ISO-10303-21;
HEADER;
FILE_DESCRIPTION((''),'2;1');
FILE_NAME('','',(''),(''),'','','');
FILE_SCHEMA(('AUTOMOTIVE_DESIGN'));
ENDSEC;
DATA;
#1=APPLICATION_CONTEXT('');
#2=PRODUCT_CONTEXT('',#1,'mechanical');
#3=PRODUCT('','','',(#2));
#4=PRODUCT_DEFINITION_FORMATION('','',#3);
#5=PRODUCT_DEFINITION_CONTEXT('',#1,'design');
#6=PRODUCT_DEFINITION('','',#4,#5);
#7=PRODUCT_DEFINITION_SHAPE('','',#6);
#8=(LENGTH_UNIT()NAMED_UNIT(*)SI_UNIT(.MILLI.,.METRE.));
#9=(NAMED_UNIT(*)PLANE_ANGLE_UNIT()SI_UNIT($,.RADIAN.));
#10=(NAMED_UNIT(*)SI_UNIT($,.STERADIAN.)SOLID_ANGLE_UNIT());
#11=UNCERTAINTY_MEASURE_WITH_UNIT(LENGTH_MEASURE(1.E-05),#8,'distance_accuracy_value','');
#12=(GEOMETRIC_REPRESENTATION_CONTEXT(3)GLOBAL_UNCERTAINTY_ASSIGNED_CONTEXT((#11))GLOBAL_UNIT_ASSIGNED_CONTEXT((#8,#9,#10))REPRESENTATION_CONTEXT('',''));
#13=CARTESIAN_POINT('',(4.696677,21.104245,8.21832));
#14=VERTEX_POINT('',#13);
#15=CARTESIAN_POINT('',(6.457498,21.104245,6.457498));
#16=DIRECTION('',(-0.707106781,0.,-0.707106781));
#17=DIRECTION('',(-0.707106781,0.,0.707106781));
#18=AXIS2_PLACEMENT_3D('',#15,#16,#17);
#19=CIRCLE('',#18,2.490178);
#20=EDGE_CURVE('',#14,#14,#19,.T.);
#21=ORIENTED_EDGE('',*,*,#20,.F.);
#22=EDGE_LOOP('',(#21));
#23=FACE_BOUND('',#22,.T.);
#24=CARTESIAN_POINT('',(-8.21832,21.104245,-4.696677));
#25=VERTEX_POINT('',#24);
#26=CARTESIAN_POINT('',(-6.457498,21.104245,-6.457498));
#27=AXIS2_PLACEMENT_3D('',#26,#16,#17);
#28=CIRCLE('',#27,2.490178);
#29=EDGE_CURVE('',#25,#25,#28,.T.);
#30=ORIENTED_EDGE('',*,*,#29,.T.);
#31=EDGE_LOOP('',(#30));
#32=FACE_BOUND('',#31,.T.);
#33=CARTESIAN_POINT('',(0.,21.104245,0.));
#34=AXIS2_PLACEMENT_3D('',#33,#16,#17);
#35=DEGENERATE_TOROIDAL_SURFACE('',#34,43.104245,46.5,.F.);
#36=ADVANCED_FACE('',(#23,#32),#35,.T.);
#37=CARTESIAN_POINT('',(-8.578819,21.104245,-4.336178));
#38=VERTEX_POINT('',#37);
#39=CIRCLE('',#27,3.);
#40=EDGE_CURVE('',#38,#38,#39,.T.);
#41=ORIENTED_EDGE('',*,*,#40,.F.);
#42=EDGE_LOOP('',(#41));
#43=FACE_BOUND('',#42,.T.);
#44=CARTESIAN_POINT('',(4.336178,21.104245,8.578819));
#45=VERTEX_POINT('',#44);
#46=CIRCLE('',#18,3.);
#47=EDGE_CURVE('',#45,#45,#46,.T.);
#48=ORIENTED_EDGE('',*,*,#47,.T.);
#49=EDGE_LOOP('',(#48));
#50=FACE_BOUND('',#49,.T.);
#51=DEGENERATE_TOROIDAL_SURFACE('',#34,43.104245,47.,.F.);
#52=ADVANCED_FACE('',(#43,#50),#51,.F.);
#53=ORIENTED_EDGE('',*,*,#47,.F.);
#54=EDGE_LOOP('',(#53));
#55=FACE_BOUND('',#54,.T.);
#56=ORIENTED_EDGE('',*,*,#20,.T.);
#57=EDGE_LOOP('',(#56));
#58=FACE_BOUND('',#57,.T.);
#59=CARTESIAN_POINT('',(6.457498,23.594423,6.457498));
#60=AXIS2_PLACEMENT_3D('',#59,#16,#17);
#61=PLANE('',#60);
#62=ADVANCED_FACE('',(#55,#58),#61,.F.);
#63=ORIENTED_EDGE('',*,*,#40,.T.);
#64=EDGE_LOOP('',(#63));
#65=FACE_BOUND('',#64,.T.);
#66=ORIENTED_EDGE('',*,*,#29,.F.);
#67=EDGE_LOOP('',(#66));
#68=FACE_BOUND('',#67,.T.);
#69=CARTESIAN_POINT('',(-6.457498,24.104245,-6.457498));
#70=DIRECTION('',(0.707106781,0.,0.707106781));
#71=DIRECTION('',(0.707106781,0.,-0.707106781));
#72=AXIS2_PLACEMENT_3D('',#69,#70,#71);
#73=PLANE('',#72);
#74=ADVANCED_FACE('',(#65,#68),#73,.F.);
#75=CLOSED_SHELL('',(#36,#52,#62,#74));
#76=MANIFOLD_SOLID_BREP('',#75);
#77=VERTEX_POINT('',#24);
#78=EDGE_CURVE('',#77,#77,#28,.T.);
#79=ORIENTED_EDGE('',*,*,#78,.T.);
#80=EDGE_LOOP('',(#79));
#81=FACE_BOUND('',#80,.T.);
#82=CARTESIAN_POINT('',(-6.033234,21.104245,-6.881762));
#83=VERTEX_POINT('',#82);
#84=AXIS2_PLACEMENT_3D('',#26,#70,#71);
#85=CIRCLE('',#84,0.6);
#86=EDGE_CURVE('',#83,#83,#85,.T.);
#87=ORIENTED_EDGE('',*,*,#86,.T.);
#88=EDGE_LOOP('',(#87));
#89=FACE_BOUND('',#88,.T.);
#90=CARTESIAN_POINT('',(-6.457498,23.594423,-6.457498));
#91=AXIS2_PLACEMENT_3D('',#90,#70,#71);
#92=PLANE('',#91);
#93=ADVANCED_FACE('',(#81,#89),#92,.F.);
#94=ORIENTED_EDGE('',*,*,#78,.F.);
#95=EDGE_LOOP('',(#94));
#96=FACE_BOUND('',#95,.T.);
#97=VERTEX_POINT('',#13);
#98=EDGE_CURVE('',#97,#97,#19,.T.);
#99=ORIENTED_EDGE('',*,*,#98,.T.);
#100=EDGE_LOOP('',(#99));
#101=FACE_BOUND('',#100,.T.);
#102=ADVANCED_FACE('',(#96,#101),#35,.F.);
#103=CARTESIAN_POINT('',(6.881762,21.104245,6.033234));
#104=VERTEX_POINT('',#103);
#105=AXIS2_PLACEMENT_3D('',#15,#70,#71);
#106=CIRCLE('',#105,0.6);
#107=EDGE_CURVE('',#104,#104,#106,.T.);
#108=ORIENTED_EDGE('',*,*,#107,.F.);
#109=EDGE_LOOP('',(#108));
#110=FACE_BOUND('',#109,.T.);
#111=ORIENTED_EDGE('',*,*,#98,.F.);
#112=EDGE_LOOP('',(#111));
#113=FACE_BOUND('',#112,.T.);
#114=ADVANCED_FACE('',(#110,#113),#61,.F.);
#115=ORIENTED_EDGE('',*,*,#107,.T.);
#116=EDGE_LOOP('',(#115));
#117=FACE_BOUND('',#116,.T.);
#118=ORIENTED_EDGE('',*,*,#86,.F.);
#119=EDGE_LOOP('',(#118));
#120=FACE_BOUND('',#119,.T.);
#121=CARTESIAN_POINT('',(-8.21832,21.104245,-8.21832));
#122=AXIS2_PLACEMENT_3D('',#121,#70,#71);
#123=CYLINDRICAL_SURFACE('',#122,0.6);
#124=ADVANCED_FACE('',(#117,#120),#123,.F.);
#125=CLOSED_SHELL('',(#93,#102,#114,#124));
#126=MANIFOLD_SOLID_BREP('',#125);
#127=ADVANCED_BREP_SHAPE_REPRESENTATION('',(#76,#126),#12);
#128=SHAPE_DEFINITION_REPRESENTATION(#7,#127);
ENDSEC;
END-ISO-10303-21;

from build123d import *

# Parameters (mm, degrees)
SKETCH3_R          = 0.6
CUT_EXTRUDE1_DEPTH = 33.10933343


with BuildPart() as part:
    # Sketch2 → Revolve1 (revolve)
    with BuildSketch(Plane(origin=(0, 0, 0), x_dir=(0, -1, 0), z_dir=(-0.7071067811865488, 0, 0.7071067811865464)), mode=Mode.PRIVATE) as revolve1_sk:
        with BuildLine():
            Line((-21.104245277, -9.132281611), (-21.104245277, 9.132281611))
            Line((-21.104245277, 9.132281611), (-23.594423262, 9.132281611))
            ThreePointArc((-23.594423262, 9.132281611), (-24.5, 0), (-23.594423262, -9.132281611))
            Line((-23.594423262, -9.132281611), (-21.104245277, -9.132281611))
        make_face()
    revolve(revolve1_sk.sketch.rotate(Axis((-6.457498255, 21.104245277, -6.457498255), (0.7071067811865464, 0, 0.7071067811865488)), 90), axis=Axis((-6.457498255, 21.104245277, -6.457498255), (0.7071067811865464, 0, 0.7071067811865488)))

    # Sketch3 → Cut-Extrude1 (cut, through all)
    with BuildSketch(Plane(origin=(6.457498255, 0, 6.457498255), x_dir=(0.7071067811865488, 0, -0.7071067811865462), z_dir=(0.7071067811865462, 0, 0.7071067811865488))):
        with Locations((0, 21.104245277)):
            Circle(SKETCH3_R)
    extrude(amount=-CUT_EXTRUDE1_DEPTH, mode=Mode.SUBTRACT)


with BuildPart() as body_2:
    # Sketch4 → Revolve4 (revolve)
    with BuildSketch(Plane(origin=(0, 0, 0), x_dir=(0.7071067811865464, 0, 0.7071067811865488), z_dir=(-0.7071067811865488, 0, 0.7071067811865464)), mode=Mode.PRIVATE) as revolve4_sk:
        with BuildLine():
            Line((-9.132281611, 24.104245277), (-9.132281611, 23.594423262))
            ThreePointArc((-9.132281611, 23.594423262), (0, 24.5), (9.132281611, 23.594423262))
            Line((9.132281611, 23.594423262), (9.132281611, 24.104245277))
            ThreePointArc((9.132281611, 24.104245277), (0, 25), (-9.132281611, 24.104245277))
        make_face()
    revolve(revolve4_sk.sketch.rotate(Axis((-6.457498255, 21.104245277, -6.457498255), (0.7071067811865464, 0, 0.7071067811865488)), 90), axis=Axis((-6.457498255, 21.104245277, -6.457498255), (0.7071067811865464, 0, 0.7071067811865488)))


solid = Compound([part.part, body_2.part])
